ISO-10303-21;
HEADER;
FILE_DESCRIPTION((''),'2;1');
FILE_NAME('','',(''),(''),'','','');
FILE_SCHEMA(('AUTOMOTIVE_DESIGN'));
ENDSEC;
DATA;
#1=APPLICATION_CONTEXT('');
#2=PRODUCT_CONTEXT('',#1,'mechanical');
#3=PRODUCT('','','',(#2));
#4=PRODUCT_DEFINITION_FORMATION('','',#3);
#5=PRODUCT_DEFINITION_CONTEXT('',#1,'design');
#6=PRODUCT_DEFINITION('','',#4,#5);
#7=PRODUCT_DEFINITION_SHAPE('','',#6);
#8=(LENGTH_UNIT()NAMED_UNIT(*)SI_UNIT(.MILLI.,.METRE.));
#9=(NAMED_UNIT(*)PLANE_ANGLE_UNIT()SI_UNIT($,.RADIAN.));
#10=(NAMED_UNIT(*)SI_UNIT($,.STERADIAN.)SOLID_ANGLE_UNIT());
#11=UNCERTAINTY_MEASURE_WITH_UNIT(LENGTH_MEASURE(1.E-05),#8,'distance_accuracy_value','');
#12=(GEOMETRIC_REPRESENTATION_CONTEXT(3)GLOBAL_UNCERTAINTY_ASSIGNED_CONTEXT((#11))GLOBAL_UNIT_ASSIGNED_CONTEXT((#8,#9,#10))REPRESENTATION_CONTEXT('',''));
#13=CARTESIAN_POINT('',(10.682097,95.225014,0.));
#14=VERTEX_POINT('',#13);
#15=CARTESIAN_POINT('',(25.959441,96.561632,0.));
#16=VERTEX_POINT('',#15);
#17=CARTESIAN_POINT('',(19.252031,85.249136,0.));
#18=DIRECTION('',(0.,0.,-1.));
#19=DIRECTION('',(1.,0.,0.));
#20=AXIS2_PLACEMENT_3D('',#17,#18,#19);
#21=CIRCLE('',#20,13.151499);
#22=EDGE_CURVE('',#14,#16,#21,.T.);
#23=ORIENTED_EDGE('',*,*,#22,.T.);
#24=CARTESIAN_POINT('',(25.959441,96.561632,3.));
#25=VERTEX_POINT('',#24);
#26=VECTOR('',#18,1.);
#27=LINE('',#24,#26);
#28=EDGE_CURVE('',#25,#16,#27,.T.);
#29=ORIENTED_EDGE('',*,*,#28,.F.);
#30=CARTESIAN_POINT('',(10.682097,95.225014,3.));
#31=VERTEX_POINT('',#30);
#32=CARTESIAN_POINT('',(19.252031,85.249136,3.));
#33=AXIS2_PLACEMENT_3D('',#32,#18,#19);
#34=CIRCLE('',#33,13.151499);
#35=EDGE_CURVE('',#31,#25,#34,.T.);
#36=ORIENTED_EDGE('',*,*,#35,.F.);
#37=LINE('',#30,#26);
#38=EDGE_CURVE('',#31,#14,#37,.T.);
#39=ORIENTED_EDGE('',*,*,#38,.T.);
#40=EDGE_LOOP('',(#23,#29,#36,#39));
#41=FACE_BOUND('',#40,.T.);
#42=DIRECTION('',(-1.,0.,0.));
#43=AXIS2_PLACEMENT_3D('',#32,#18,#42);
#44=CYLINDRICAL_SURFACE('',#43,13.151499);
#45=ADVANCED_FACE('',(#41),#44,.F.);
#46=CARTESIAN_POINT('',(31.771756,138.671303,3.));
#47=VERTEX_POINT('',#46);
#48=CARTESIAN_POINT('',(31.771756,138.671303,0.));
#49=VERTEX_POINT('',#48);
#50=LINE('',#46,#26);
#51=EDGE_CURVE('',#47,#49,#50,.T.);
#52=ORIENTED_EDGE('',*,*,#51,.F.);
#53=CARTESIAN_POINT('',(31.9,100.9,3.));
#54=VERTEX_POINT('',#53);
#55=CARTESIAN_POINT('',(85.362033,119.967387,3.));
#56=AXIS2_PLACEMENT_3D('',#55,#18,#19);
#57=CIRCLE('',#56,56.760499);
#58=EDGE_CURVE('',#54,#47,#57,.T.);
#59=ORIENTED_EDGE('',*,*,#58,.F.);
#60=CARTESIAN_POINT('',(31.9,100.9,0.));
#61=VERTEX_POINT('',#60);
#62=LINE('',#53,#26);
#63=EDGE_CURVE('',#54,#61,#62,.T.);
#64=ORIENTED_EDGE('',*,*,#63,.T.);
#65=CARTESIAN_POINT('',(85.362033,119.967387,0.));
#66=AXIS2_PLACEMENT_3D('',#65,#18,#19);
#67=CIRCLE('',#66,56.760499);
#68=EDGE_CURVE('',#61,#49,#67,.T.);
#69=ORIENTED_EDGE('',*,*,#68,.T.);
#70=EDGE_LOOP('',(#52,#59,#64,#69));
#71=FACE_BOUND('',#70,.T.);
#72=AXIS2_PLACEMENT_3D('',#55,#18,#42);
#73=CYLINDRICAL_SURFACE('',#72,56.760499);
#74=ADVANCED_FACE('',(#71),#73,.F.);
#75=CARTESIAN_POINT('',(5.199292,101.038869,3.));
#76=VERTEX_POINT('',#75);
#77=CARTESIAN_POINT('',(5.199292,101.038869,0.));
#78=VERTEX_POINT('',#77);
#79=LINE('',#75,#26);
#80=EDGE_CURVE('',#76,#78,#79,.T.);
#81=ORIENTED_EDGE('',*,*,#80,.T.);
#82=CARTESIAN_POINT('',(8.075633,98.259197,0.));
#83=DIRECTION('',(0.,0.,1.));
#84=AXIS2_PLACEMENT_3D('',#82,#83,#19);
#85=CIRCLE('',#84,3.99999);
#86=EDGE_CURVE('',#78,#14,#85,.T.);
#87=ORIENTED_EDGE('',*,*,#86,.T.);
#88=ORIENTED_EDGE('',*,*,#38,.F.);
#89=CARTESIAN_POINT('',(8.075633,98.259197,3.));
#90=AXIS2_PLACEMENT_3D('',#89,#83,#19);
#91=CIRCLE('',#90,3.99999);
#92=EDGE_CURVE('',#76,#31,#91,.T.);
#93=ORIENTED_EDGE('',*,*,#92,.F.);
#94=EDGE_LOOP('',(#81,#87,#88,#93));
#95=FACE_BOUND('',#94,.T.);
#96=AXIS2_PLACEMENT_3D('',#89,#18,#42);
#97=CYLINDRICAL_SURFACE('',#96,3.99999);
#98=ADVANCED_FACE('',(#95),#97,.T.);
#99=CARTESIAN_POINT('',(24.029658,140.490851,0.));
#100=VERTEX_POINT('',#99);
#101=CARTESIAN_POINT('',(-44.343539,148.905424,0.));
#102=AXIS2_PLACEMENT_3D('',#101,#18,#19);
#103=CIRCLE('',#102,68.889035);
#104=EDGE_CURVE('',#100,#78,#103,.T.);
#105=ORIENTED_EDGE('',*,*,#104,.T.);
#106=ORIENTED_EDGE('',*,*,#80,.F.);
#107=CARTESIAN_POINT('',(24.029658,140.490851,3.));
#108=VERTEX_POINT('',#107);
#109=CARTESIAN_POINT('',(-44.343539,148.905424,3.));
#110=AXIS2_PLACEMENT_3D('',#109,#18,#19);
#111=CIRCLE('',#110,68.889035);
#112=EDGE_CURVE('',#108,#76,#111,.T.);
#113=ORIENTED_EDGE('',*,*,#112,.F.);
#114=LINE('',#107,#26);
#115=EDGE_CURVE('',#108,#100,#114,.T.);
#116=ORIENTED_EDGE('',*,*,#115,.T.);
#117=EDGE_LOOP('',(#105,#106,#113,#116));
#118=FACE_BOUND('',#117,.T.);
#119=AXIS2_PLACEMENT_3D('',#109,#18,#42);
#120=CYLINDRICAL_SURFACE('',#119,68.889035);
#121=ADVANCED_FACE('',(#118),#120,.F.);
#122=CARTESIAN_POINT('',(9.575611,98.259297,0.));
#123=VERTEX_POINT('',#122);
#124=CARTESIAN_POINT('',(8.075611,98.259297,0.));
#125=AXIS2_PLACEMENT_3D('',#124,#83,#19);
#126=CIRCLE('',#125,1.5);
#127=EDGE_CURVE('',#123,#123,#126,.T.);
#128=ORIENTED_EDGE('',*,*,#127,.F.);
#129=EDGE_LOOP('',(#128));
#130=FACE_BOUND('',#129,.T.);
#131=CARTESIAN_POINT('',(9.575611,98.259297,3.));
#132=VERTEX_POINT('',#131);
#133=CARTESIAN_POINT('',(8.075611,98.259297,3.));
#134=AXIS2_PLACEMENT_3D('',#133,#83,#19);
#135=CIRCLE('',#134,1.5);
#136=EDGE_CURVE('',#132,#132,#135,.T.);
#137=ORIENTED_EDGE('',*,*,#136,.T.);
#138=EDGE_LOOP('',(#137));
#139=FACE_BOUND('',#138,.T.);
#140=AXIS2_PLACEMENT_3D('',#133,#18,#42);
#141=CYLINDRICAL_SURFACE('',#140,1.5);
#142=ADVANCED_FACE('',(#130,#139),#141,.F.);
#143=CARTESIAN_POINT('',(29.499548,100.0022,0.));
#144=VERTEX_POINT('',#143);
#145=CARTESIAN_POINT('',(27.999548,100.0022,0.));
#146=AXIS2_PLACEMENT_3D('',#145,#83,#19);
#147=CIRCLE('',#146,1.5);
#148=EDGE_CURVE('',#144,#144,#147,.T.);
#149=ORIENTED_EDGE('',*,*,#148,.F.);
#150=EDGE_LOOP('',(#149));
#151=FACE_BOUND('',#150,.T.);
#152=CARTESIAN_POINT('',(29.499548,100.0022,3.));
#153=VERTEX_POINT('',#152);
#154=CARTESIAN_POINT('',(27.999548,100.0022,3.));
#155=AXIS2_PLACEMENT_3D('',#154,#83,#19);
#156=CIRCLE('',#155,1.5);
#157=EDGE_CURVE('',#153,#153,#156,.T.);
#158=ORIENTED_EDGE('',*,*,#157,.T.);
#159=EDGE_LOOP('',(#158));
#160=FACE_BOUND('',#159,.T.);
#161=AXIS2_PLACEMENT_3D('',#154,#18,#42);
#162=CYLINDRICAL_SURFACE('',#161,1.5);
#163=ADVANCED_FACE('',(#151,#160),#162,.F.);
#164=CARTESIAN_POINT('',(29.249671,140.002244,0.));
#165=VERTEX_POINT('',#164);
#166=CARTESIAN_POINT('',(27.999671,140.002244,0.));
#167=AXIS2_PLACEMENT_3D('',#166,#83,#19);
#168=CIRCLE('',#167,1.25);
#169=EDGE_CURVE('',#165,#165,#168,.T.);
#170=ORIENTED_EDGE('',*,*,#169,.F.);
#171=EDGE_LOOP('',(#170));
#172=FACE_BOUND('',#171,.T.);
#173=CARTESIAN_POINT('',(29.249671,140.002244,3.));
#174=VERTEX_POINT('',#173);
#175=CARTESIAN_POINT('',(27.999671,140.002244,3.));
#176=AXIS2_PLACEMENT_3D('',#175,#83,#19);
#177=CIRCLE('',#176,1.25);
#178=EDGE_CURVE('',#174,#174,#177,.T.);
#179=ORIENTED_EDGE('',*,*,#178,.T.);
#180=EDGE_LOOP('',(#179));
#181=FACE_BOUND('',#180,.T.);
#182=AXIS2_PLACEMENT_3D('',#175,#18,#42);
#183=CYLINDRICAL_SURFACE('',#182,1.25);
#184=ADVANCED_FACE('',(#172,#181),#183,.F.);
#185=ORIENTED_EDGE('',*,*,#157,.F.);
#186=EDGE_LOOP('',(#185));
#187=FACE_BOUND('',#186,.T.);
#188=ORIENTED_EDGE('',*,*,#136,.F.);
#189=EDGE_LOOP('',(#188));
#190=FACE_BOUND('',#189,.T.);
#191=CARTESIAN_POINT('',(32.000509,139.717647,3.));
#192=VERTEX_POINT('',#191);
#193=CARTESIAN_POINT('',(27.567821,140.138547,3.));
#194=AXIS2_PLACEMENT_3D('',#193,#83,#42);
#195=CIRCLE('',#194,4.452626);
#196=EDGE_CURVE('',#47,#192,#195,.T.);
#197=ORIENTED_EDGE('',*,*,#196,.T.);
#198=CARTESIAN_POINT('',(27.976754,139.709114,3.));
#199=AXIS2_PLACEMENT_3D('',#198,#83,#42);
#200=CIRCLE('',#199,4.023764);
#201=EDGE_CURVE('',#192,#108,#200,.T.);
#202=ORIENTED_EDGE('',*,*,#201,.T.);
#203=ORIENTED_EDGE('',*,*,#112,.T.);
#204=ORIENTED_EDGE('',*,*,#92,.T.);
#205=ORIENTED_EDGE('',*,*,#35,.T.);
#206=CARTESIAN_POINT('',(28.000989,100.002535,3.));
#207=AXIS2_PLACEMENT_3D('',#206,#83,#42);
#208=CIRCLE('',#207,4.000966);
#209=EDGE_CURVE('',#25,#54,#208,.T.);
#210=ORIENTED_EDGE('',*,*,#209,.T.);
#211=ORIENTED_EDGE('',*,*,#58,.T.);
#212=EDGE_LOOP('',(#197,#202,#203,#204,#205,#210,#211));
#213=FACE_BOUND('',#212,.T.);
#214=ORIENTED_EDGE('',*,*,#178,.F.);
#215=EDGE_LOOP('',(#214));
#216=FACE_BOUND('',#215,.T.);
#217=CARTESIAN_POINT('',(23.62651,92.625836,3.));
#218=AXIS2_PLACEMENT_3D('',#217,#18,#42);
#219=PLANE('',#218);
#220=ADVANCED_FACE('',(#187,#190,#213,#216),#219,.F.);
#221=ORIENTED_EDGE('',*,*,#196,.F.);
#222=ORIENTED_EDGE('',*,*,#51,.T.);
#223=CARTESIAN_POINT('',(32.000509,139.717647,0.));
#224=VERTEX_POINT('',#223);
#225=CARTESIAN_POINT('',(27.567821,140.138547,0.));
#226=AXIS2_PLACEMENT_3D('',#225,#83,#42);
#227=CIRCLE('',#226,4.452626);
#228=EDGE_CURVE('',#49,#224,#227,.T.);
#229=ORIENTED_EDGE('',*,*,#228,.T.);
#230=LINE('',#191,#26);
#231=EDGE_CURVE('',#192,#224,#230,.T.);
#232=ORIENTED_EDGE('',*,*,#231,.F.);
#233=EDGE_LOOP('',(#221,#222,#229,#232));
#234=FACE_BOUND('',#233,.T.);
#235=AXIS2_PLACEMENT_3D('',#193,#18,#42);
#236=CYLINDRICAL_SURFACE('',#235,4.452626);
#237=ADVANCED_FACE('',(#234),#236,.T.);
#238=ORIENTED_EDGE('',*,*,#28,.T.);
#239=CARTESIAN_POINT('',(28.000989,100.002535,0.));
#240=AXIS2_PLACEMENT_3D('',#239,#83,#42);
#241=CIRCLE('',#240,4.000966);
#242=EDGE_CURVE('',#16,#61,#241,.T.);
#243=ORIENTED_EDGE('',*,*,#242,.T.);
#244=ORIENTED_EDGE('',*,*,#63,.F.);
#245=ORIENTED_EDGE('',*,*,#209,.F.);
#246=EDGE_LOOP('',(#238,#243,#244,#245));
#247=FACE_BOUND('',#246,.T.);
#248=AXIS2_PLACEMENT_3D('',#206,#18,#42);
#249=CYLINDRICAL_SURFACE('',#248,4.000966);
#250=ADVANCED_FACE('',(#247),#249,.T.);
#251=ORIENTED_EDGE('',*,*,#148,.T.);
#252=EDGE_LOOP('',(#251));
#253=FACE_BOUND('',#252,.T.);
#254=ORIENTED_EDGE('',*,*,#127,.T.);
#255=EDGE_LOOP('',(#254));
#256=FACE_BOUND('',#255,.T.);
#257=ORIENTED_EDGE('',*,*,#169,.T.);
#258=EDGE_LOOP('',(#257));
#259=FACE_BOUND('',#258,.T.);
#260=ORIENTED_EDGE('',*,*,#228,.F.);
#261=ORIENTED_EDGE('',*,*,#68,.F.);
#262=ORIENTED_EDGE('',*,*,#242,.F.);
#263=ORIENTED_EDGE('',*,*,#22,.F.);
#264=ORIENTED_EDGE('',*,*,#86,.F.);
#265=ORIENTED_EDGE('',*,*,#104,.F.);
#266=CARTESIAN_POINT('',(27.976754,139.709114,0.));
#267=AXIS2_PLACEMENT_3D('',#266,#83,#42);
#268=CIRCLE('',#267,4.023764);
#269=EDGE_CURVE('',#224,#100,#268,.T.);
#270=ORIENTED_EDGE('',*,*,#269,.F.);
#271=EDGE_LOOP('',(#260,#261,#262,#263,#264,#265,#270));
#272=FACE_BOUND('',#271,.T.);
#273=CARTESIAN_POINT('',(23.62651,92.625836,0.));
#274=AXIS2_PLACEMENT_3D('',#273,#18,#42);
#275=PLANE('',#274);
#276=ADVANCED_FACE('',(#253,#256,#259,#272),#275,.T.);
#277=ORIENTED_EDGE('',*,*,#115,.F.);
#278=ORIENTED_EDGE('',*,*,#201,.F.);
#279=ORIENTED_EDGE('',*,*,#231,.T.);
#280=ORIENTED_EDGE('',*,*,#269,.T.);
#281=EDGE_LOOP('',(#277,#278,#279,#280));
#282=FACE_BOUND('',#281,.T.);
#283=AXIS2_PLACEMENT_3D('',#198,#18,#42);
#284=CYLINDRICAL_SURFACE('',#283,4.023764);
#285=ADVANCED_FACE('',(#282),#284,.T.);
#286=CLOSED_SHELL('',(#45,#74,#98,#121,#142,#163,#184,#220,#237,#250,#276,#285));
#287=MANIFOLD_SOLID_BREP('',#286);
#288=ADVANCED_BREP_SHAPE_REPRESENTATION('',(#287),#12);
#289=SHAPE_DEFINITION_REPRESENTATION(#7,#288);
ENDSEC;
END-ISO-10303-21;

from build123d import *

# Parameters (mm, degrees)
SKETCH_2_R      = 1.25
SKETCH_2_R_2    = 1.5
EXTRUDE_1_DEPTH = 3


with BuildPart() as part:
    # 草圖2 → 填料-伸長1 (new body)
    with BuildSketch(Plane.XY):
        with BuildLine():
            ThreePointArc((31.771756119, 138.671302862), (28.601861286, 119.774671061), (31.9, 100.9))
            ThreePointArc((31.9, 100.9), (30.360629041, 96.771462466), (25.959440964, 96.561632457))
            ThreePointArc((25.959440964, 96.561632457), (18.105782324, 98.350587579), (10.682096943, 95.22501406))
            ThreePointArc((10.682096943, 95.22501406), (5.16557517, 95.514842117), (5.199291514, 101.038869269))
            ThreePointArc((5.199291514, 101.038869269), (17.826888938, 119.231579997), (24.029658233, 140.490850759))
            ThreePointArc((24.029658233, 140.490850759), (28.365250917, 143.714078762), (32.00050872, 139.717647432))
            ThreePointArc((32.00050872, 139.717647432), (31.917708673, 139.187571923), (31.771756119, 138.671302862))
        make_face()
        with Locations((27.99967116, 140.002243515)):
            Circle(SKETCH_2_R, mode=Mode.SUBTRACT)
        with Locations((8.075611168, 98.259296802)):
            Circle(SKETCH_2_R_2, mode=Mode.SUBTRACT)
        with Locations((27.999548416, 100.002200002)):
            Circle(SKETCH_2_R_2, mode=Mode.SUBTRACT)
    extrude(amount=EXTRUDE_1_DEPTH)


solid = part.part
